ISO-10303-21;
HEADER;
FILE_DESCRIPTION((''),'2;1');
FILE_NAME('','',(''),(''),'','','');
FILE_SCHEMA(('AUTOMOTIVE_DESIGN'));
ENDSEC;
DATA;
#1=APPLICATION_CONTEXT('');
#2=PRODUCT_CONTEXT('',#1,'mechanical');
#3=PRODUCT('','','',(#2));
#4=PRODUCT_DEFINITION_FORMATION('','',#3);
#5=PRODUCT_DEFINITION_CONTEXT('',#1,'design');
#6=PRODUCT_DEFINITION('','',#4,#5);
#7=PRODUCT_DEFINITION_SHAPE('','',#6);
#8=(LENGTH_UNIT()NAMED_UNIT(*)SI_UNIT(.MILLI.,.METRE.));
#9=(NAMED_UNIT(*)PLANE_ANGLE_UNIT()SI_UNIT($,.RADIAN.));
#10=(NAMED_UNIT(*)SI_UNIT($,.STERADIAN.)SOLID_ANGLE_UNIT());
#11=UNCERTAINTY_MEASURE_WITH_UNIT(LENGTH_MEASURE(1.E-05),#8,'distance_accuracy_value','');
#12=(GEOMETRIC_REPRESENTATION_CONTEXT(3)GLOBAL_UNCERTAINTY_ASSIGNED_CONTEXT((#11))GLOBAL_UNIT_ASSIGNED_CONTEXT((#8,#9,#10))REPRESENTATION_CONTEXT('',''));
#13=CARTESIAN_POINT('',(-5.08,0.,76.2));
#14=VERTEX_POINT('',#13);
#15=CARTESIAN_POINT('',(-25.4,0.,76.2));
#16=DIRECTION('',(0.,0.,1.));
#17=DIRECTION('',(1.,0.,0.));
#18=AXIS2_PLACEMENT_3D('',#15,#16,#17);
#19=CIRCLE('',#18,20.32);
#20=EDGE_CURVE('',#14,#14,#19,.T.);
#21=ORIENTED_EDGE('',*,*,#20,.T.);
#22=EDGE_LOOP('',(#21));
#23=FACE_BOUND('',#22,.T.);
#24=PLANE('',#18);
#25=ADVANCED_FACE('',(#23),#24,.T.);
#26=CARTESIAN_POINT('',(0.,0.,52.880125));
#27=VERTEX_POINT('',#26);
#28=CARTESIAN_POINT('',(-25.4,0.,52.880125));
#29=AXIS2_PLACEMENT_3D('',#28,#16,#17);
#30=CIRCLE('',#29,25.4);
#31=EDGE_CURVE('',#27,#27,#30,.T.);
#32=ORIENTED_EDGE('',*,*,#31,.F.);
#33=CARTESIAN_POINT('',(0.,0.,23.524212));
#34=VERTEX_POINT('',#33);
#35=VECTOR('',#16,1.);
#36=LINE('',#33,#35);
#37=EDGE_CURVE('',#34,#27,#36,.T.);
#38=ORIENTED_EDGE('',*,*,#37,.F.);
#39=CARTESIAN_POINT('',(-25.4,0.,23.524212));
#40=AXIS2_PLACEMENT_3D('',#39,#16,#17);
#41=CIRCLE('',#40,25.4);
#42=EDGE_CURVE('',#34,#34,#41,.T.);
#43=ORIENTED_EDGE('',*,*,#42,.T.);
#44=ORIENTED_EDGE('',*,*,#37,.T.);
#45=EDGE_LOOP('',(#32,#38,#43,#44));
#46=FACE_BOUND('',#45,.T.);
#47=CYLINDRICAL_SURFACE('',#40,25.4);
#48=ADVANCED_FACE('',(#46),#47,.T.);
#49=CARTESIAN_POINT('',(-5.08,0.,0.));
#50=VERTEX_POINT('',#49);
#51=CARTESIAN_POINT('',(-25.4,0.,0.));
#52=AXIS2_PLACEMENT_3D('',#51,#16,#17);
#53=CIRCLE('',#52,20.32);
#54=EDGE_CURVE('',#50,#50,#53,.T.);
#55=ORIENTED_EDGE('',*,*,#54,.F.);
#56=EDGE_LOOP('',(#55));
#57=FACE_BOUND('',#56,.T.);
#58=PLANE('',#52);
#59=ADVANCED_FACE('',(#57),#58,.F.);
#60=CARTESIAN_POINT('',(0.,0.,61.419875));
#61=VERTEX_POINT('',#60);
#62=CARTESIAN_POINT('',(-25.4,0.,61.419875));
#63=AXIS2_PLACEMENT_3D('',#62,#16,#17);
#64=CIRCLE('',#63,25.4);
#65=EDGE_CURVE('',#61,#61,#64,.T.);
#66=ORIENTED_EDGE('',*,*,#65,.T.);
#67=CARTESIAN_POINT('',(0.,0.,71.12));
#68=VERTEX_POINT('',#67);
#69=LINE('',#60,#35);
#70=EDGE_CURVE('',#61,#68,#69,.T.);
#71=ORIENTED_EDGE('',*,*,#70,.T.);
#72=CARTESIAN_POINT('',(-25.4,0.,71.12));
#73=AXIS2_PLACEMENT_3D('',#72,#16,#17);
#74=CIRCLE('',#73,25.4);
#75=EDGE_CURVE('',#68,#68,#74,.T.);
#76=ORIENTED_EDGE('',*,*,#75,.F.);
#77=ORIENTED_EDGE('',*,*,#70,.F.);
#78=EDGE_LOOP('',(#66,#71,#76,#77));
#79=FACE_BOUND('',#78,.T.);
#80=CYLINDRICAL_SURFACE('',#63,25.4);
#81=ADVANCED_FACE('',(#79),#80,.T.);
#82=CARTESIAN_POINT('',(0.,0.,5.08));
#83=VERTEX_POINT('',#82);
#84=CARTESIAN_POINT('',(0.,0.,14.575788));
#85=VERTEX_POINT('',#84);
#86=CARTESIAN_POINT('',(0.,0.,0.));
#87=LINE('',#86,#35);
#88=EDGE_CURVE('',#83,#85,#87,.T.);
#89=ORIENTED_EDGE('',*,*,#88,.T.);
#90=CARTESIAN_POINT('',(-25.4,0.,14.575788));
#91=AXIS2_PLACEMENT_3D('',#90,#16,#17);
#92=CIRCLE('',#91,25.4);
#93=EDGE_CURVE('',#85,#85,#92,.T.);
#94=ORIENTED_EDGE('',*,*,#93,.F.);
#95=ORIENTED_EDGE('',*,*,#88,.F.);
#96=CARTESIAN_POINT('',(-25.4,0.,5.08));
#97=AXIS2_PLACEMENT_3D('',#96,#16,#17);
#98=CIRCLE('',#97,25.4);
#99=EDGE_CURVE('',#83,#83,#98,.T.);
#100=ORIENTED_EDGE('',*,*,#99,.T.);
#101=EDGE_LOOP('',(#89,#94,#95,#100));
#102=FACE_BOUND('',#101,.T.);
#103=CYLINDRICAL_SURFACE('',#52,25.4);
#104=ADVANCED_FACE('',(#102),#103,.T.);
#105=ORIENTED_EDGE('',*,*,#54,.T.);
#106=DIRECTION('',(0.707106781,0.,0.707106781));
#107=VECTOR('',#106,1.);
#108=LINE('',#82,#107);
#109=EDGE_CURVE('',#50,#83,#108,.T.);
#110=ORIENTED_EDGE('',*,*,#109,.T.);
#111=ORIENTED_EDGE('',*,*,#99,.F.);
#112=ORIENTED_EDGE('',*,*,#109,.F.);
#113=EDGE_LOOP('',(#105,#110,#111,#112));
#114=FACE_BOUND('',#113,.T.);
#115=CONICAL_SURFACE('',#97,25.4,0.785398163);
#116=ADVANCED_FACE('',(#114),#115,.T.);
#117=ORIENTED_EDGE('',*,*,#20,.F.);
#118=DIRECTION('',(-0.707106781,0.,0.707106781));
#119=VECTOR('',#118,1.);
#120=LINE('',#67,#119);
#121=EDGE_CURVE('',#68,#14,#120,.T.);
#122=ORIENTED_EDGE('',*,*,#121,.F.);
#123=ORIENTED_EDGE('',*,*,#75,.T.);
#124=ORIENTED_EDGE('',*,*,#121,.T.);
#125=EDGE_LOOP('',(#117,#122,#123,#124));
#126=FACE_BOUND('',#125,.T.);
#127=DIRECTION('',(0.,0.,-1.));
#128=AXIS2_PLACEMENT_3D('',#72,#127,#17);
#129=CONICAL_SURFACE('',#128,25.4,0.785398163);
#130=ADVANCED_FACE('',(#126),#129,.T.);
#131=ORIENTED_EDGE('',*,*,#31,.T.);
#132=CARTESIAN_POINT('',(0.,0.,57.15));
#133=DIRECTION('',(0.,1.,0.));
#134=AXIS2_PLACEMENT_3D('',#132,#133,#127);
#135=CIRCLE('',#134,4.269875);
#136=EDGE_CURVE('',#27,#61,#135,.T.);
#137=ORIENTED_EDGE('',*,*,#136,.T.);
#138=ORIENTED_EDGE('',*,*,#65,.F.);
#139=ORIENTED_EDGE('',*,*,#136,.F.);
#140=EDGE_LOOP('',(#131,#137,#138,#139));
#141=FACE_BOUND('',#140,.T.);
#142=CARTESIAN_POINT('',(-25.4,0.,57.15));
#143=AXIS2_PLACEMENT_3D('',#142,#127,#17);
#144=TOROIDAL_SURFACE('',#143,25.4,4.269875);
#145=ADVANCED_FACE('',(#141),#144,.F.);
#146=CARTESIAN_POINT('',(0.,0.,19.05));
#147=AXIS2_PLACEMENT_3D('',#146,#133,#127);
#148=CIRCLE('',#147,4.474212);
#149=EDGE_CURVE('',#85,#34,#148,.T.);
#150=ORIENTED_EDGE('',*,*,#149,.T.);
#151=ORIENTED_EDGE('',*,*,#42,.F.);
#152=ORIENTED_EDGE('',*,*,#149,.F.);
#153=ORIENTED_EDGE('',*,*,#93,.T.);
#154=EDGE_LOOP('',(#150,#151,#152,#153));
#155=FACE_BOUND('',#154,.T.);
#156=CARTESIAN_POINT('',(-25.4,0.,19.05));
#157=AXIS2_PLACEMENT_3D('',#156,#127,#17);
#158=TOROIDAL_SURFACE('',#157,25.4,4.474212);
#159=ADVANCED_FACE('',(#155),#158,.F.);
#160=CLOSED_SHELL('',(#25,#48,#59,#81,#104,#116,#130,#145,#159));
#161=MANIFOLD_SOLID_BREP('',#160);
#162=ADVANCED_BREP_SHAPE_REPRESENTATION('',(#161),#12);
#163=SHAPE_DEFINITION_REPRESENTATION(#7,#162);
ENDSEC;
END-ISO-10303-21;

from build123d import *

# Parameters (mm, degrees)
F2_SIZE = 5.08


with BuildPart() as f1:
    # F0 (on Front) → F1 (revolve)
    with BuildSketch(Plane.XZ):
        with BuildLine():
            Line((-25.4, 0), (0, 0))
            Line((0, 0), (0, 14.575788))
            ThreePointArc((0, 14.575788), (-4.474212, 19.05), (0, 23.524212))
            Line((0, 23.524212), (0, 52.880125))
            ThreePointArc((0, 52.880125), (-4.269875, 57.15), (0, 61.419875))
            Line((0, 61.419875), (0, 76.2))
            Line((0, 76.2), (-25.4, 76.2))
            Line((-25.4, 76.2), (-25.4, 0))
        make_face()
    revolve(axis=Axis((-25.4, 0, 38.1), (0, 0, 1)))

    # F2
    f2_edges = [f1.edges().sort_by_distance(p)[0] for p in [
        (-50.8, 0, 0),
        (-50.8, 0, 76.2),
    ]]
    chamfer(f2_edges, length=F2_SIZE)


solid = f1.part
